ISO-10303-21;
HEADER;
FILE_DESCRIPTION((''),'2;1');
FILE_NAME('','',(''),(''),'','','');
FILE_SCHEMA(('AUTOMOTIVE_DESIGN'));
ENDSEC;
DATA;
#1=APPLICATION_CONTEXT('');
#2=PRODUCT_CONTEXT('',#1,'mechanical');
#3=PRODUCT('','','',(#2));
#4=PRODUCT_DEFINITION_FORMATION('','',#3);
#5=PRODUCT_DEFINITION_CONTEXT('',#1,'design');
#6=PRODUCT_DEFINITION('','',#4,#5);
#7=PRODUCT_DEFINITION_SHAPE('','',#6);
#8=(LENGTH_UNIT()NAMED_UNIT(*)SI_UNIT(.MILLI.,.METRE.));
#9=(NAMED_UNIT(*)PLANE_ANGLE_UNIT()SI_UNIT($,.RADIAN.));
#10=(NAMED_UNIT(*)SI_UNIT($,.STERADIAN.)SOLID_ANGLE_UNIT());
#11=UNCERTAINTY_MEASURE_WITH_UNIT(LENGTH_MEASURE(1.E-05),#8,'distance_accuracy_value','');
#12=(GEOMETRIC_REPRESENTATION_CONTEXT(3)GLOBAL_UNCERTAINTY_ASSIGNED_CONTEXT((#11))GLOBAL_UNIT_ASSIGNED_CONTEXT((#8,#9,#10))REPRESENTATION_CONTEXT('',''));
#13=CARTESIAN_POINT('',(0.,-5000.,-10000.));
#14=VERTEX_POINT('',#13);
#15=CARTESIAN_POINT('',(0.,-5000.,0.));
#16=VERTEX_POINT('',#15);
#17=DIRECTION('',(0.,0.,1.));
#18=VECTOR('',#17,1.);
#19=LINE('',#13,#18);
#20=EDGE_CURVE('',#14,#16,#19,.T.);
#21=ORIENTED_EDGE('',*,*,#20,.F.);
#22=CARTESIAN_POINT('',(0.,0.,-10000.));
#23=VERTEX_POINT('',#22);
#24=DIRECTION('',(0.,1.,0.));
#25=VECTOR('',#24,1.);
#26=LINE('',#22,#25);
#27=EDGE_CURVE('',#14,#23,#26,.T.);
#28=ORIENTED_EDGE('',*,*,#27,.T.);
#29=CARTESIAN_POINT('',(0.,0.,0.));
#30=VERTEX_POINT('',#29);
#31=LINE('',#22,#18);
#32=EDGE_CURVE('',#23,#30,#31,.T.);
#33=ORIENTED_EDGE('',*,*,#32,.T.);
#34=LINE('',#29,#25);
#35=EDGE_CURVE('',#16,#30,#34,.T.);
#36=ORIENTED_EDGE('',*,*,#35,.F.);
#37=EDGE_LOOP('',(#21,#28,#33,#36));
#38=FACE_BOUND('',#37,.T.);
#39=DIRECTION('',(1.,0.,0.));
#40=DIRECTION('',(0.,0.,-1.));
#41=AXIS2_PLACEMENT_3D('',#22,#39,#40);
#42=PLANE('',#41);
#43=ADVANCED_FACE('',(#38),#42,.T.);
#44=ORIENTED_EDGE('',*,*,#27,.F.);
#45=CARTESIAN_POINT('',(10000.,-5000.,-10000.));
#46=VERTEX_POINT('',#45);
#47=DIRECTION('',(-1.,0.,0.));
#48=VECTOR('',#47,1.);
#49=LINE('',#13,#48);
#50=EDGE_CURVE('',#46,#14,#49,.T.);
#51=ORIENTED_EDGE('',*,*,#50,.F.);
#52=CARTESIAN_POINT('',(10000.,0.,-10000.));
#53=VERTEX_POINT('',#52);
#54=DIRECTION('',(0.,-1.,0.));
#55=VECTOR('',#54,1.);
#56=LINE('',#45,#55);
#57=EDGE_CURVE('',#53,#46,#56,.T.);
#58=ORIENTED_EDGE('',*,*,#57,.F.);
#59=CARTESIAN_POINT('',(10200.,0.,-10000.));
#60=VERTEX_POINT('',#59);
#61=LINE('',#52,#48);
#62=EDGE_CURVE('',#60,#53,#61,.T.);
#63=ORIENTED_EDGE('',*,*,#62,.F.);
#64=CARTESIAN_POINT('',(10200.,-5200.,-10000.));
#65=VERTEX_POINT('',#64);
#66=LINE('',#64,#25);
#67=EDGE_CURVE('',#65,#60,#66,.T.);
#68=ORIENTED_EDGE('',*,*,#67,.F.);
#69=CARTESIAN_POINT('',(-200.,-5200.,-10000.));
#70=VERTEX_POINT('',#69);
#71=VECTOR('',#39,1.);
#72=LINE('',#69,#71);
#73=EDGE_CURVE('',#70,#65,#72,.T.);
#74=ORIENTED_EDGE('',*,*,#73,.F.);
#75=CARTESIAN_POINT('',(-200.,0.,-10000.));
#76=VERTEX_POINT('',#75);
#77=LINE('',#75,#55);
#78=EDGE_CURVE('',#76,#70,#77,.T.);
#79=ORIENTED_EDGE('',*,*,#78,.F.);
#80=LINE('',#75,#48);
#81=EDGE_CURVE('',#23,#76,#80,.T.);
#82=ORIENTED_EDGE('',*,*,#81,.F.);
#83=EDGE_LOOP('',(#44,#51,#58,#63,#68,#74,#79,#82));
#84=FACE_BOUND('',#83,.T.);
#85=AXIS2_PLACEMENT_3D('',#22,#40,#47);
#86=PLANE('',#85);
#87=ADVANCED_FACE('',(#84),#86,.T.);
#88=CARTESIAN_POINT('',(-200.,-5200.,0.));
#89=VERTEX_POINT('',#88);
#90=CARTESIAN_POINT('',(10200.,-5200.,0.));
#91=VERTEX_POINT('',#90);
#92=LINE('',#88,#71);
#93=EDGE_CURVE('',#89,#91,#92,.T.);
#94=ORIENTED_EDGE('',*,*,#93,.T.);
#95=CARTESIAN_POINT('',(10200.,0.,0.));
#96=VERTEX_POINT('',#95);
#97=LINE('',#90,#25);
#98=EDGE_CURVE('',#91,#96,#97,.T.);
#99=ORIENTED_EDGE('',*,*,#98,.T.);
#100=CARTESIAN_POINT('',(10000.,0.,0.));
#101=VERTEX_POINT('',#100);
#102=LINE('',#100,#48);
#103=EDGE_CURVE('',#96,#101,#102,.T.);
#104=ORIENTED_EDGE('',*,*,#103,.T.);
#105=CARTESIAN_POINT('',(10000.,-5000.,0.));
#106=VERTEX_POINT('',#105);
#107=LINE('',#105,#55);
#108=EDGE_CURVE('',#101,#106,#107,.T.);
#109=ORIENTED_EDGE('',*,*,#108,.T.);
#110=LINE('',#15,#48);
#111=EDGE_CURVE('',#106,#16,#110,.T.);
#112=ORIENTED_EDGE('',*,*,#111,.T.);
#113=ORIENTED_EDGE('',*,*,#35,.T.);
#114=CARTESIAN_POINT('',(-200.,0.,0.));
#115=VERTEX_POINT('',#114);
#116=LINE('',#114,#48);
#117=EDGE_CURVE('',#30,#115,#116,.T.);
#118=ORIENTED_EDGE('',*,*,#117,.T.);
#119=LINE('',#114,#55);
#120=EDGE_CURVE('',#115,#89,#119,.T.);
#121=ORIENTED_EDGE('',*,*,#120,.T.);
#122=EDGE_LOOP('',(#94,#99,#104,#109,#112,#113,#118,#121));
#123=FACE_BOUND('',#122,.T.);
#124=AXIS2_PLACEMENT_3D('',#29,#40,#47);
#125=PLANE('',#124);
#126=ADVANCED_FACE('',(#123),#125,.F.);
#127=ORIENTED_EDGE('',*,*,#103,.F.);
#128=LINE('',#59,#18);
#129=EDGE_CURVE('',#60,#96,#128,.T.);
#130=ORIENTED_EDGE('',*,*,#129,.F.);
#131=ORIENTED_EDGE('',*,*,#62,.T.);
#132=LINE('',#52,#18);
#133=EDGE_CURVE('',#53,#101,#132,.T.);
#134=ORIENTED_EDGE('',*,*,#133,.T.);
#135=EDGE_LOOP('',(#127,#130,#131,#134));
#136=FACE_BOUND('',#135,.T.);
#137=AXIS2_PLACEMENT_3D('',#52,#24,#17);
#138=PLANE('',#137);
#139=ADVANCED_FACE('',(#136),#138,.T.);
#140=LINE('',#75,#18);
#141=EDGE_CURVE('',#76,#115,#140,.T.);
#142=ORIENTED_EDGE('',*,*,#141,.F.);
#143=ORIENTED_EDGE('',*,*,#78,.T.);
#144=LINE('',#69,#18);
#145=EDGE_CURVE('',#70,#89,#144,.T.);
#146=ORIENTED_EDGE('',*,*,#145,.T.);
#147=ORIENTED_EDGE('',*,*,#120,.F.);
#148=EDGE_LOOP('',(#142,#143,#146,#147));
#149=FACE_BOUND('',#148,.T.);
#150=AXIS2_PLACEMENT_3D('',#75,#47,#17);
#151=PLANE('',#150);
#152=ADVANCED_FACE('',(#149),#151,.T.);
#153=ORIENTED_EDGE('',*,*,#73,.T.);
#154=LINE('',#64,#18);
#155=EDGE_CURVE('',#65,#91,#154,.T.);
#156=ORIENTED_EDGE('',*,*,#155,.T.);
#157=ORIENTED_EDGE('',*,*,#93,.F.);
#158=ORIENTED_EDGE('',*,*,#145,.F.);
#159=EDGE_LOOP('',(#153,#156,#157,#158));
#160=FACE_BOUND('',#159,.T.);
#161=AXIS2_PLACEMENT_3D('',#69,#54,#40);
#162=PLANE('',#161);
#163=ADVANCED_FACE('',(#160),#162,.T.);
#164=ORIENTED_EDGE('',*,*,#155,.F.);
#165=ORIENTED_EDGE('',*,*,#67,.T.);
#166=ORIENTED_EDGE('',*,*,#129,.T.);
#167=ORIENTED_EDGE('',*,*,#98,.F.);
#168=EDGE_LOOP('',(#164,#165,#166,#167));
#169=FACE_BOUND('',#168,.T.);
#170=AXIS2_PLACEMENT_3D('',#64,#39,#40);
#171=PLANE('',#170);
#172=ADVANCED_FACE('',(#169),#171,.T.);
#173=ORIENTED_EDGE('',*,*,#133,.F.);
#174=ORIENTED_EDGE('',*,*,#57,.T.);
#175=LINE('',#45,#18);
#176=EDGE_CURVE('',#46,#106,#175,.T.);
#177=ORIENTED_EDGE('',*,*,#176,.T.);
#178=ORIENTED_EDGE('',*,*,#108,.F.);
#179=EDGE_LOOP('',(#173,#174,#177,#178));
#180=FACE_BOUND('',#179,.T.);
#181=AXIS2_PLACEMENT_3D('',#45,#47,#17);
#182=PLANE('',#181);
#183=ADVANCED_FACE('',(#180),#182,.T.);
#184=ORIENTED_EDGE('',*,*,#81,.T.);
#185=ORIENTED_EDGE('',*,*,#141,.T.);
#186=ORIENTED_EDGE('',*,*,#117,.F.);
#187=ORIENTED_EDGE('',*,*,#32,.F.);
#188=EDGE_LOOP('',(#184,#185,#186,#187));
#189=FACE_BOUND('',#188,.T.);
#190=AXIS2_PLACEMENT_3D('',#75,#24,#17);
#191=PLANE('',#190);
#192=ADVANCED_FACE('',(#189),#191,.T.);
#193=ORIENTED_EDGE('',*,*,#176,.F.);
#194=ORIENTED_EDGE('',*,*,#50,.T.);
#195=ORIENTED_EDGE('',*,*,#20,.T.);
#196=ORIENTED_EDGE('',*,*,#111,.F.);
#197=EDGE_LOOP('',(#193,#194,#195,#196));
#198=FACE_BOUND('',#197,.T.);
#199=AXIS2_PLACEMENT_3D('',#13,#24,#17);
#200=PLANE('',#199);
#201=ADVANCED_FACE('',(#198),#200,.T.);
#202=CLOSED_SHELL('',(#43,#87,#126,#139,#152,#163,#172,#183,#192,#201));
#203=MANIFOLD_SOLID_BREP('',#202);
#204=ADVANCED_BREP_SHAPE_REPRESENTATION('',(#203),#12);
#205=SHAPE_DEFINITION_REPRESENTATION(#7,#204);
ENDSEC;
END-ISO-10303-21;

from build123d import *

# Parameters (mm, degrees)
BOSS_EXTRUDE1_DEPTH = 10000


with BuildPart() as part:
    # Sketch2 → Boss-Extrude1 (new body)
    with BuildSketch(Plane.XY):
        Polygon((0, 0), (0, -5000), (10000, -5000), (10000, 0), (10200, 0), (10200, -5200), (-200, -5200), (-200, 0), align=None)
    extrude(amount=-BOSS_EXTRUDE1_DEPTH)


solid = part.part
